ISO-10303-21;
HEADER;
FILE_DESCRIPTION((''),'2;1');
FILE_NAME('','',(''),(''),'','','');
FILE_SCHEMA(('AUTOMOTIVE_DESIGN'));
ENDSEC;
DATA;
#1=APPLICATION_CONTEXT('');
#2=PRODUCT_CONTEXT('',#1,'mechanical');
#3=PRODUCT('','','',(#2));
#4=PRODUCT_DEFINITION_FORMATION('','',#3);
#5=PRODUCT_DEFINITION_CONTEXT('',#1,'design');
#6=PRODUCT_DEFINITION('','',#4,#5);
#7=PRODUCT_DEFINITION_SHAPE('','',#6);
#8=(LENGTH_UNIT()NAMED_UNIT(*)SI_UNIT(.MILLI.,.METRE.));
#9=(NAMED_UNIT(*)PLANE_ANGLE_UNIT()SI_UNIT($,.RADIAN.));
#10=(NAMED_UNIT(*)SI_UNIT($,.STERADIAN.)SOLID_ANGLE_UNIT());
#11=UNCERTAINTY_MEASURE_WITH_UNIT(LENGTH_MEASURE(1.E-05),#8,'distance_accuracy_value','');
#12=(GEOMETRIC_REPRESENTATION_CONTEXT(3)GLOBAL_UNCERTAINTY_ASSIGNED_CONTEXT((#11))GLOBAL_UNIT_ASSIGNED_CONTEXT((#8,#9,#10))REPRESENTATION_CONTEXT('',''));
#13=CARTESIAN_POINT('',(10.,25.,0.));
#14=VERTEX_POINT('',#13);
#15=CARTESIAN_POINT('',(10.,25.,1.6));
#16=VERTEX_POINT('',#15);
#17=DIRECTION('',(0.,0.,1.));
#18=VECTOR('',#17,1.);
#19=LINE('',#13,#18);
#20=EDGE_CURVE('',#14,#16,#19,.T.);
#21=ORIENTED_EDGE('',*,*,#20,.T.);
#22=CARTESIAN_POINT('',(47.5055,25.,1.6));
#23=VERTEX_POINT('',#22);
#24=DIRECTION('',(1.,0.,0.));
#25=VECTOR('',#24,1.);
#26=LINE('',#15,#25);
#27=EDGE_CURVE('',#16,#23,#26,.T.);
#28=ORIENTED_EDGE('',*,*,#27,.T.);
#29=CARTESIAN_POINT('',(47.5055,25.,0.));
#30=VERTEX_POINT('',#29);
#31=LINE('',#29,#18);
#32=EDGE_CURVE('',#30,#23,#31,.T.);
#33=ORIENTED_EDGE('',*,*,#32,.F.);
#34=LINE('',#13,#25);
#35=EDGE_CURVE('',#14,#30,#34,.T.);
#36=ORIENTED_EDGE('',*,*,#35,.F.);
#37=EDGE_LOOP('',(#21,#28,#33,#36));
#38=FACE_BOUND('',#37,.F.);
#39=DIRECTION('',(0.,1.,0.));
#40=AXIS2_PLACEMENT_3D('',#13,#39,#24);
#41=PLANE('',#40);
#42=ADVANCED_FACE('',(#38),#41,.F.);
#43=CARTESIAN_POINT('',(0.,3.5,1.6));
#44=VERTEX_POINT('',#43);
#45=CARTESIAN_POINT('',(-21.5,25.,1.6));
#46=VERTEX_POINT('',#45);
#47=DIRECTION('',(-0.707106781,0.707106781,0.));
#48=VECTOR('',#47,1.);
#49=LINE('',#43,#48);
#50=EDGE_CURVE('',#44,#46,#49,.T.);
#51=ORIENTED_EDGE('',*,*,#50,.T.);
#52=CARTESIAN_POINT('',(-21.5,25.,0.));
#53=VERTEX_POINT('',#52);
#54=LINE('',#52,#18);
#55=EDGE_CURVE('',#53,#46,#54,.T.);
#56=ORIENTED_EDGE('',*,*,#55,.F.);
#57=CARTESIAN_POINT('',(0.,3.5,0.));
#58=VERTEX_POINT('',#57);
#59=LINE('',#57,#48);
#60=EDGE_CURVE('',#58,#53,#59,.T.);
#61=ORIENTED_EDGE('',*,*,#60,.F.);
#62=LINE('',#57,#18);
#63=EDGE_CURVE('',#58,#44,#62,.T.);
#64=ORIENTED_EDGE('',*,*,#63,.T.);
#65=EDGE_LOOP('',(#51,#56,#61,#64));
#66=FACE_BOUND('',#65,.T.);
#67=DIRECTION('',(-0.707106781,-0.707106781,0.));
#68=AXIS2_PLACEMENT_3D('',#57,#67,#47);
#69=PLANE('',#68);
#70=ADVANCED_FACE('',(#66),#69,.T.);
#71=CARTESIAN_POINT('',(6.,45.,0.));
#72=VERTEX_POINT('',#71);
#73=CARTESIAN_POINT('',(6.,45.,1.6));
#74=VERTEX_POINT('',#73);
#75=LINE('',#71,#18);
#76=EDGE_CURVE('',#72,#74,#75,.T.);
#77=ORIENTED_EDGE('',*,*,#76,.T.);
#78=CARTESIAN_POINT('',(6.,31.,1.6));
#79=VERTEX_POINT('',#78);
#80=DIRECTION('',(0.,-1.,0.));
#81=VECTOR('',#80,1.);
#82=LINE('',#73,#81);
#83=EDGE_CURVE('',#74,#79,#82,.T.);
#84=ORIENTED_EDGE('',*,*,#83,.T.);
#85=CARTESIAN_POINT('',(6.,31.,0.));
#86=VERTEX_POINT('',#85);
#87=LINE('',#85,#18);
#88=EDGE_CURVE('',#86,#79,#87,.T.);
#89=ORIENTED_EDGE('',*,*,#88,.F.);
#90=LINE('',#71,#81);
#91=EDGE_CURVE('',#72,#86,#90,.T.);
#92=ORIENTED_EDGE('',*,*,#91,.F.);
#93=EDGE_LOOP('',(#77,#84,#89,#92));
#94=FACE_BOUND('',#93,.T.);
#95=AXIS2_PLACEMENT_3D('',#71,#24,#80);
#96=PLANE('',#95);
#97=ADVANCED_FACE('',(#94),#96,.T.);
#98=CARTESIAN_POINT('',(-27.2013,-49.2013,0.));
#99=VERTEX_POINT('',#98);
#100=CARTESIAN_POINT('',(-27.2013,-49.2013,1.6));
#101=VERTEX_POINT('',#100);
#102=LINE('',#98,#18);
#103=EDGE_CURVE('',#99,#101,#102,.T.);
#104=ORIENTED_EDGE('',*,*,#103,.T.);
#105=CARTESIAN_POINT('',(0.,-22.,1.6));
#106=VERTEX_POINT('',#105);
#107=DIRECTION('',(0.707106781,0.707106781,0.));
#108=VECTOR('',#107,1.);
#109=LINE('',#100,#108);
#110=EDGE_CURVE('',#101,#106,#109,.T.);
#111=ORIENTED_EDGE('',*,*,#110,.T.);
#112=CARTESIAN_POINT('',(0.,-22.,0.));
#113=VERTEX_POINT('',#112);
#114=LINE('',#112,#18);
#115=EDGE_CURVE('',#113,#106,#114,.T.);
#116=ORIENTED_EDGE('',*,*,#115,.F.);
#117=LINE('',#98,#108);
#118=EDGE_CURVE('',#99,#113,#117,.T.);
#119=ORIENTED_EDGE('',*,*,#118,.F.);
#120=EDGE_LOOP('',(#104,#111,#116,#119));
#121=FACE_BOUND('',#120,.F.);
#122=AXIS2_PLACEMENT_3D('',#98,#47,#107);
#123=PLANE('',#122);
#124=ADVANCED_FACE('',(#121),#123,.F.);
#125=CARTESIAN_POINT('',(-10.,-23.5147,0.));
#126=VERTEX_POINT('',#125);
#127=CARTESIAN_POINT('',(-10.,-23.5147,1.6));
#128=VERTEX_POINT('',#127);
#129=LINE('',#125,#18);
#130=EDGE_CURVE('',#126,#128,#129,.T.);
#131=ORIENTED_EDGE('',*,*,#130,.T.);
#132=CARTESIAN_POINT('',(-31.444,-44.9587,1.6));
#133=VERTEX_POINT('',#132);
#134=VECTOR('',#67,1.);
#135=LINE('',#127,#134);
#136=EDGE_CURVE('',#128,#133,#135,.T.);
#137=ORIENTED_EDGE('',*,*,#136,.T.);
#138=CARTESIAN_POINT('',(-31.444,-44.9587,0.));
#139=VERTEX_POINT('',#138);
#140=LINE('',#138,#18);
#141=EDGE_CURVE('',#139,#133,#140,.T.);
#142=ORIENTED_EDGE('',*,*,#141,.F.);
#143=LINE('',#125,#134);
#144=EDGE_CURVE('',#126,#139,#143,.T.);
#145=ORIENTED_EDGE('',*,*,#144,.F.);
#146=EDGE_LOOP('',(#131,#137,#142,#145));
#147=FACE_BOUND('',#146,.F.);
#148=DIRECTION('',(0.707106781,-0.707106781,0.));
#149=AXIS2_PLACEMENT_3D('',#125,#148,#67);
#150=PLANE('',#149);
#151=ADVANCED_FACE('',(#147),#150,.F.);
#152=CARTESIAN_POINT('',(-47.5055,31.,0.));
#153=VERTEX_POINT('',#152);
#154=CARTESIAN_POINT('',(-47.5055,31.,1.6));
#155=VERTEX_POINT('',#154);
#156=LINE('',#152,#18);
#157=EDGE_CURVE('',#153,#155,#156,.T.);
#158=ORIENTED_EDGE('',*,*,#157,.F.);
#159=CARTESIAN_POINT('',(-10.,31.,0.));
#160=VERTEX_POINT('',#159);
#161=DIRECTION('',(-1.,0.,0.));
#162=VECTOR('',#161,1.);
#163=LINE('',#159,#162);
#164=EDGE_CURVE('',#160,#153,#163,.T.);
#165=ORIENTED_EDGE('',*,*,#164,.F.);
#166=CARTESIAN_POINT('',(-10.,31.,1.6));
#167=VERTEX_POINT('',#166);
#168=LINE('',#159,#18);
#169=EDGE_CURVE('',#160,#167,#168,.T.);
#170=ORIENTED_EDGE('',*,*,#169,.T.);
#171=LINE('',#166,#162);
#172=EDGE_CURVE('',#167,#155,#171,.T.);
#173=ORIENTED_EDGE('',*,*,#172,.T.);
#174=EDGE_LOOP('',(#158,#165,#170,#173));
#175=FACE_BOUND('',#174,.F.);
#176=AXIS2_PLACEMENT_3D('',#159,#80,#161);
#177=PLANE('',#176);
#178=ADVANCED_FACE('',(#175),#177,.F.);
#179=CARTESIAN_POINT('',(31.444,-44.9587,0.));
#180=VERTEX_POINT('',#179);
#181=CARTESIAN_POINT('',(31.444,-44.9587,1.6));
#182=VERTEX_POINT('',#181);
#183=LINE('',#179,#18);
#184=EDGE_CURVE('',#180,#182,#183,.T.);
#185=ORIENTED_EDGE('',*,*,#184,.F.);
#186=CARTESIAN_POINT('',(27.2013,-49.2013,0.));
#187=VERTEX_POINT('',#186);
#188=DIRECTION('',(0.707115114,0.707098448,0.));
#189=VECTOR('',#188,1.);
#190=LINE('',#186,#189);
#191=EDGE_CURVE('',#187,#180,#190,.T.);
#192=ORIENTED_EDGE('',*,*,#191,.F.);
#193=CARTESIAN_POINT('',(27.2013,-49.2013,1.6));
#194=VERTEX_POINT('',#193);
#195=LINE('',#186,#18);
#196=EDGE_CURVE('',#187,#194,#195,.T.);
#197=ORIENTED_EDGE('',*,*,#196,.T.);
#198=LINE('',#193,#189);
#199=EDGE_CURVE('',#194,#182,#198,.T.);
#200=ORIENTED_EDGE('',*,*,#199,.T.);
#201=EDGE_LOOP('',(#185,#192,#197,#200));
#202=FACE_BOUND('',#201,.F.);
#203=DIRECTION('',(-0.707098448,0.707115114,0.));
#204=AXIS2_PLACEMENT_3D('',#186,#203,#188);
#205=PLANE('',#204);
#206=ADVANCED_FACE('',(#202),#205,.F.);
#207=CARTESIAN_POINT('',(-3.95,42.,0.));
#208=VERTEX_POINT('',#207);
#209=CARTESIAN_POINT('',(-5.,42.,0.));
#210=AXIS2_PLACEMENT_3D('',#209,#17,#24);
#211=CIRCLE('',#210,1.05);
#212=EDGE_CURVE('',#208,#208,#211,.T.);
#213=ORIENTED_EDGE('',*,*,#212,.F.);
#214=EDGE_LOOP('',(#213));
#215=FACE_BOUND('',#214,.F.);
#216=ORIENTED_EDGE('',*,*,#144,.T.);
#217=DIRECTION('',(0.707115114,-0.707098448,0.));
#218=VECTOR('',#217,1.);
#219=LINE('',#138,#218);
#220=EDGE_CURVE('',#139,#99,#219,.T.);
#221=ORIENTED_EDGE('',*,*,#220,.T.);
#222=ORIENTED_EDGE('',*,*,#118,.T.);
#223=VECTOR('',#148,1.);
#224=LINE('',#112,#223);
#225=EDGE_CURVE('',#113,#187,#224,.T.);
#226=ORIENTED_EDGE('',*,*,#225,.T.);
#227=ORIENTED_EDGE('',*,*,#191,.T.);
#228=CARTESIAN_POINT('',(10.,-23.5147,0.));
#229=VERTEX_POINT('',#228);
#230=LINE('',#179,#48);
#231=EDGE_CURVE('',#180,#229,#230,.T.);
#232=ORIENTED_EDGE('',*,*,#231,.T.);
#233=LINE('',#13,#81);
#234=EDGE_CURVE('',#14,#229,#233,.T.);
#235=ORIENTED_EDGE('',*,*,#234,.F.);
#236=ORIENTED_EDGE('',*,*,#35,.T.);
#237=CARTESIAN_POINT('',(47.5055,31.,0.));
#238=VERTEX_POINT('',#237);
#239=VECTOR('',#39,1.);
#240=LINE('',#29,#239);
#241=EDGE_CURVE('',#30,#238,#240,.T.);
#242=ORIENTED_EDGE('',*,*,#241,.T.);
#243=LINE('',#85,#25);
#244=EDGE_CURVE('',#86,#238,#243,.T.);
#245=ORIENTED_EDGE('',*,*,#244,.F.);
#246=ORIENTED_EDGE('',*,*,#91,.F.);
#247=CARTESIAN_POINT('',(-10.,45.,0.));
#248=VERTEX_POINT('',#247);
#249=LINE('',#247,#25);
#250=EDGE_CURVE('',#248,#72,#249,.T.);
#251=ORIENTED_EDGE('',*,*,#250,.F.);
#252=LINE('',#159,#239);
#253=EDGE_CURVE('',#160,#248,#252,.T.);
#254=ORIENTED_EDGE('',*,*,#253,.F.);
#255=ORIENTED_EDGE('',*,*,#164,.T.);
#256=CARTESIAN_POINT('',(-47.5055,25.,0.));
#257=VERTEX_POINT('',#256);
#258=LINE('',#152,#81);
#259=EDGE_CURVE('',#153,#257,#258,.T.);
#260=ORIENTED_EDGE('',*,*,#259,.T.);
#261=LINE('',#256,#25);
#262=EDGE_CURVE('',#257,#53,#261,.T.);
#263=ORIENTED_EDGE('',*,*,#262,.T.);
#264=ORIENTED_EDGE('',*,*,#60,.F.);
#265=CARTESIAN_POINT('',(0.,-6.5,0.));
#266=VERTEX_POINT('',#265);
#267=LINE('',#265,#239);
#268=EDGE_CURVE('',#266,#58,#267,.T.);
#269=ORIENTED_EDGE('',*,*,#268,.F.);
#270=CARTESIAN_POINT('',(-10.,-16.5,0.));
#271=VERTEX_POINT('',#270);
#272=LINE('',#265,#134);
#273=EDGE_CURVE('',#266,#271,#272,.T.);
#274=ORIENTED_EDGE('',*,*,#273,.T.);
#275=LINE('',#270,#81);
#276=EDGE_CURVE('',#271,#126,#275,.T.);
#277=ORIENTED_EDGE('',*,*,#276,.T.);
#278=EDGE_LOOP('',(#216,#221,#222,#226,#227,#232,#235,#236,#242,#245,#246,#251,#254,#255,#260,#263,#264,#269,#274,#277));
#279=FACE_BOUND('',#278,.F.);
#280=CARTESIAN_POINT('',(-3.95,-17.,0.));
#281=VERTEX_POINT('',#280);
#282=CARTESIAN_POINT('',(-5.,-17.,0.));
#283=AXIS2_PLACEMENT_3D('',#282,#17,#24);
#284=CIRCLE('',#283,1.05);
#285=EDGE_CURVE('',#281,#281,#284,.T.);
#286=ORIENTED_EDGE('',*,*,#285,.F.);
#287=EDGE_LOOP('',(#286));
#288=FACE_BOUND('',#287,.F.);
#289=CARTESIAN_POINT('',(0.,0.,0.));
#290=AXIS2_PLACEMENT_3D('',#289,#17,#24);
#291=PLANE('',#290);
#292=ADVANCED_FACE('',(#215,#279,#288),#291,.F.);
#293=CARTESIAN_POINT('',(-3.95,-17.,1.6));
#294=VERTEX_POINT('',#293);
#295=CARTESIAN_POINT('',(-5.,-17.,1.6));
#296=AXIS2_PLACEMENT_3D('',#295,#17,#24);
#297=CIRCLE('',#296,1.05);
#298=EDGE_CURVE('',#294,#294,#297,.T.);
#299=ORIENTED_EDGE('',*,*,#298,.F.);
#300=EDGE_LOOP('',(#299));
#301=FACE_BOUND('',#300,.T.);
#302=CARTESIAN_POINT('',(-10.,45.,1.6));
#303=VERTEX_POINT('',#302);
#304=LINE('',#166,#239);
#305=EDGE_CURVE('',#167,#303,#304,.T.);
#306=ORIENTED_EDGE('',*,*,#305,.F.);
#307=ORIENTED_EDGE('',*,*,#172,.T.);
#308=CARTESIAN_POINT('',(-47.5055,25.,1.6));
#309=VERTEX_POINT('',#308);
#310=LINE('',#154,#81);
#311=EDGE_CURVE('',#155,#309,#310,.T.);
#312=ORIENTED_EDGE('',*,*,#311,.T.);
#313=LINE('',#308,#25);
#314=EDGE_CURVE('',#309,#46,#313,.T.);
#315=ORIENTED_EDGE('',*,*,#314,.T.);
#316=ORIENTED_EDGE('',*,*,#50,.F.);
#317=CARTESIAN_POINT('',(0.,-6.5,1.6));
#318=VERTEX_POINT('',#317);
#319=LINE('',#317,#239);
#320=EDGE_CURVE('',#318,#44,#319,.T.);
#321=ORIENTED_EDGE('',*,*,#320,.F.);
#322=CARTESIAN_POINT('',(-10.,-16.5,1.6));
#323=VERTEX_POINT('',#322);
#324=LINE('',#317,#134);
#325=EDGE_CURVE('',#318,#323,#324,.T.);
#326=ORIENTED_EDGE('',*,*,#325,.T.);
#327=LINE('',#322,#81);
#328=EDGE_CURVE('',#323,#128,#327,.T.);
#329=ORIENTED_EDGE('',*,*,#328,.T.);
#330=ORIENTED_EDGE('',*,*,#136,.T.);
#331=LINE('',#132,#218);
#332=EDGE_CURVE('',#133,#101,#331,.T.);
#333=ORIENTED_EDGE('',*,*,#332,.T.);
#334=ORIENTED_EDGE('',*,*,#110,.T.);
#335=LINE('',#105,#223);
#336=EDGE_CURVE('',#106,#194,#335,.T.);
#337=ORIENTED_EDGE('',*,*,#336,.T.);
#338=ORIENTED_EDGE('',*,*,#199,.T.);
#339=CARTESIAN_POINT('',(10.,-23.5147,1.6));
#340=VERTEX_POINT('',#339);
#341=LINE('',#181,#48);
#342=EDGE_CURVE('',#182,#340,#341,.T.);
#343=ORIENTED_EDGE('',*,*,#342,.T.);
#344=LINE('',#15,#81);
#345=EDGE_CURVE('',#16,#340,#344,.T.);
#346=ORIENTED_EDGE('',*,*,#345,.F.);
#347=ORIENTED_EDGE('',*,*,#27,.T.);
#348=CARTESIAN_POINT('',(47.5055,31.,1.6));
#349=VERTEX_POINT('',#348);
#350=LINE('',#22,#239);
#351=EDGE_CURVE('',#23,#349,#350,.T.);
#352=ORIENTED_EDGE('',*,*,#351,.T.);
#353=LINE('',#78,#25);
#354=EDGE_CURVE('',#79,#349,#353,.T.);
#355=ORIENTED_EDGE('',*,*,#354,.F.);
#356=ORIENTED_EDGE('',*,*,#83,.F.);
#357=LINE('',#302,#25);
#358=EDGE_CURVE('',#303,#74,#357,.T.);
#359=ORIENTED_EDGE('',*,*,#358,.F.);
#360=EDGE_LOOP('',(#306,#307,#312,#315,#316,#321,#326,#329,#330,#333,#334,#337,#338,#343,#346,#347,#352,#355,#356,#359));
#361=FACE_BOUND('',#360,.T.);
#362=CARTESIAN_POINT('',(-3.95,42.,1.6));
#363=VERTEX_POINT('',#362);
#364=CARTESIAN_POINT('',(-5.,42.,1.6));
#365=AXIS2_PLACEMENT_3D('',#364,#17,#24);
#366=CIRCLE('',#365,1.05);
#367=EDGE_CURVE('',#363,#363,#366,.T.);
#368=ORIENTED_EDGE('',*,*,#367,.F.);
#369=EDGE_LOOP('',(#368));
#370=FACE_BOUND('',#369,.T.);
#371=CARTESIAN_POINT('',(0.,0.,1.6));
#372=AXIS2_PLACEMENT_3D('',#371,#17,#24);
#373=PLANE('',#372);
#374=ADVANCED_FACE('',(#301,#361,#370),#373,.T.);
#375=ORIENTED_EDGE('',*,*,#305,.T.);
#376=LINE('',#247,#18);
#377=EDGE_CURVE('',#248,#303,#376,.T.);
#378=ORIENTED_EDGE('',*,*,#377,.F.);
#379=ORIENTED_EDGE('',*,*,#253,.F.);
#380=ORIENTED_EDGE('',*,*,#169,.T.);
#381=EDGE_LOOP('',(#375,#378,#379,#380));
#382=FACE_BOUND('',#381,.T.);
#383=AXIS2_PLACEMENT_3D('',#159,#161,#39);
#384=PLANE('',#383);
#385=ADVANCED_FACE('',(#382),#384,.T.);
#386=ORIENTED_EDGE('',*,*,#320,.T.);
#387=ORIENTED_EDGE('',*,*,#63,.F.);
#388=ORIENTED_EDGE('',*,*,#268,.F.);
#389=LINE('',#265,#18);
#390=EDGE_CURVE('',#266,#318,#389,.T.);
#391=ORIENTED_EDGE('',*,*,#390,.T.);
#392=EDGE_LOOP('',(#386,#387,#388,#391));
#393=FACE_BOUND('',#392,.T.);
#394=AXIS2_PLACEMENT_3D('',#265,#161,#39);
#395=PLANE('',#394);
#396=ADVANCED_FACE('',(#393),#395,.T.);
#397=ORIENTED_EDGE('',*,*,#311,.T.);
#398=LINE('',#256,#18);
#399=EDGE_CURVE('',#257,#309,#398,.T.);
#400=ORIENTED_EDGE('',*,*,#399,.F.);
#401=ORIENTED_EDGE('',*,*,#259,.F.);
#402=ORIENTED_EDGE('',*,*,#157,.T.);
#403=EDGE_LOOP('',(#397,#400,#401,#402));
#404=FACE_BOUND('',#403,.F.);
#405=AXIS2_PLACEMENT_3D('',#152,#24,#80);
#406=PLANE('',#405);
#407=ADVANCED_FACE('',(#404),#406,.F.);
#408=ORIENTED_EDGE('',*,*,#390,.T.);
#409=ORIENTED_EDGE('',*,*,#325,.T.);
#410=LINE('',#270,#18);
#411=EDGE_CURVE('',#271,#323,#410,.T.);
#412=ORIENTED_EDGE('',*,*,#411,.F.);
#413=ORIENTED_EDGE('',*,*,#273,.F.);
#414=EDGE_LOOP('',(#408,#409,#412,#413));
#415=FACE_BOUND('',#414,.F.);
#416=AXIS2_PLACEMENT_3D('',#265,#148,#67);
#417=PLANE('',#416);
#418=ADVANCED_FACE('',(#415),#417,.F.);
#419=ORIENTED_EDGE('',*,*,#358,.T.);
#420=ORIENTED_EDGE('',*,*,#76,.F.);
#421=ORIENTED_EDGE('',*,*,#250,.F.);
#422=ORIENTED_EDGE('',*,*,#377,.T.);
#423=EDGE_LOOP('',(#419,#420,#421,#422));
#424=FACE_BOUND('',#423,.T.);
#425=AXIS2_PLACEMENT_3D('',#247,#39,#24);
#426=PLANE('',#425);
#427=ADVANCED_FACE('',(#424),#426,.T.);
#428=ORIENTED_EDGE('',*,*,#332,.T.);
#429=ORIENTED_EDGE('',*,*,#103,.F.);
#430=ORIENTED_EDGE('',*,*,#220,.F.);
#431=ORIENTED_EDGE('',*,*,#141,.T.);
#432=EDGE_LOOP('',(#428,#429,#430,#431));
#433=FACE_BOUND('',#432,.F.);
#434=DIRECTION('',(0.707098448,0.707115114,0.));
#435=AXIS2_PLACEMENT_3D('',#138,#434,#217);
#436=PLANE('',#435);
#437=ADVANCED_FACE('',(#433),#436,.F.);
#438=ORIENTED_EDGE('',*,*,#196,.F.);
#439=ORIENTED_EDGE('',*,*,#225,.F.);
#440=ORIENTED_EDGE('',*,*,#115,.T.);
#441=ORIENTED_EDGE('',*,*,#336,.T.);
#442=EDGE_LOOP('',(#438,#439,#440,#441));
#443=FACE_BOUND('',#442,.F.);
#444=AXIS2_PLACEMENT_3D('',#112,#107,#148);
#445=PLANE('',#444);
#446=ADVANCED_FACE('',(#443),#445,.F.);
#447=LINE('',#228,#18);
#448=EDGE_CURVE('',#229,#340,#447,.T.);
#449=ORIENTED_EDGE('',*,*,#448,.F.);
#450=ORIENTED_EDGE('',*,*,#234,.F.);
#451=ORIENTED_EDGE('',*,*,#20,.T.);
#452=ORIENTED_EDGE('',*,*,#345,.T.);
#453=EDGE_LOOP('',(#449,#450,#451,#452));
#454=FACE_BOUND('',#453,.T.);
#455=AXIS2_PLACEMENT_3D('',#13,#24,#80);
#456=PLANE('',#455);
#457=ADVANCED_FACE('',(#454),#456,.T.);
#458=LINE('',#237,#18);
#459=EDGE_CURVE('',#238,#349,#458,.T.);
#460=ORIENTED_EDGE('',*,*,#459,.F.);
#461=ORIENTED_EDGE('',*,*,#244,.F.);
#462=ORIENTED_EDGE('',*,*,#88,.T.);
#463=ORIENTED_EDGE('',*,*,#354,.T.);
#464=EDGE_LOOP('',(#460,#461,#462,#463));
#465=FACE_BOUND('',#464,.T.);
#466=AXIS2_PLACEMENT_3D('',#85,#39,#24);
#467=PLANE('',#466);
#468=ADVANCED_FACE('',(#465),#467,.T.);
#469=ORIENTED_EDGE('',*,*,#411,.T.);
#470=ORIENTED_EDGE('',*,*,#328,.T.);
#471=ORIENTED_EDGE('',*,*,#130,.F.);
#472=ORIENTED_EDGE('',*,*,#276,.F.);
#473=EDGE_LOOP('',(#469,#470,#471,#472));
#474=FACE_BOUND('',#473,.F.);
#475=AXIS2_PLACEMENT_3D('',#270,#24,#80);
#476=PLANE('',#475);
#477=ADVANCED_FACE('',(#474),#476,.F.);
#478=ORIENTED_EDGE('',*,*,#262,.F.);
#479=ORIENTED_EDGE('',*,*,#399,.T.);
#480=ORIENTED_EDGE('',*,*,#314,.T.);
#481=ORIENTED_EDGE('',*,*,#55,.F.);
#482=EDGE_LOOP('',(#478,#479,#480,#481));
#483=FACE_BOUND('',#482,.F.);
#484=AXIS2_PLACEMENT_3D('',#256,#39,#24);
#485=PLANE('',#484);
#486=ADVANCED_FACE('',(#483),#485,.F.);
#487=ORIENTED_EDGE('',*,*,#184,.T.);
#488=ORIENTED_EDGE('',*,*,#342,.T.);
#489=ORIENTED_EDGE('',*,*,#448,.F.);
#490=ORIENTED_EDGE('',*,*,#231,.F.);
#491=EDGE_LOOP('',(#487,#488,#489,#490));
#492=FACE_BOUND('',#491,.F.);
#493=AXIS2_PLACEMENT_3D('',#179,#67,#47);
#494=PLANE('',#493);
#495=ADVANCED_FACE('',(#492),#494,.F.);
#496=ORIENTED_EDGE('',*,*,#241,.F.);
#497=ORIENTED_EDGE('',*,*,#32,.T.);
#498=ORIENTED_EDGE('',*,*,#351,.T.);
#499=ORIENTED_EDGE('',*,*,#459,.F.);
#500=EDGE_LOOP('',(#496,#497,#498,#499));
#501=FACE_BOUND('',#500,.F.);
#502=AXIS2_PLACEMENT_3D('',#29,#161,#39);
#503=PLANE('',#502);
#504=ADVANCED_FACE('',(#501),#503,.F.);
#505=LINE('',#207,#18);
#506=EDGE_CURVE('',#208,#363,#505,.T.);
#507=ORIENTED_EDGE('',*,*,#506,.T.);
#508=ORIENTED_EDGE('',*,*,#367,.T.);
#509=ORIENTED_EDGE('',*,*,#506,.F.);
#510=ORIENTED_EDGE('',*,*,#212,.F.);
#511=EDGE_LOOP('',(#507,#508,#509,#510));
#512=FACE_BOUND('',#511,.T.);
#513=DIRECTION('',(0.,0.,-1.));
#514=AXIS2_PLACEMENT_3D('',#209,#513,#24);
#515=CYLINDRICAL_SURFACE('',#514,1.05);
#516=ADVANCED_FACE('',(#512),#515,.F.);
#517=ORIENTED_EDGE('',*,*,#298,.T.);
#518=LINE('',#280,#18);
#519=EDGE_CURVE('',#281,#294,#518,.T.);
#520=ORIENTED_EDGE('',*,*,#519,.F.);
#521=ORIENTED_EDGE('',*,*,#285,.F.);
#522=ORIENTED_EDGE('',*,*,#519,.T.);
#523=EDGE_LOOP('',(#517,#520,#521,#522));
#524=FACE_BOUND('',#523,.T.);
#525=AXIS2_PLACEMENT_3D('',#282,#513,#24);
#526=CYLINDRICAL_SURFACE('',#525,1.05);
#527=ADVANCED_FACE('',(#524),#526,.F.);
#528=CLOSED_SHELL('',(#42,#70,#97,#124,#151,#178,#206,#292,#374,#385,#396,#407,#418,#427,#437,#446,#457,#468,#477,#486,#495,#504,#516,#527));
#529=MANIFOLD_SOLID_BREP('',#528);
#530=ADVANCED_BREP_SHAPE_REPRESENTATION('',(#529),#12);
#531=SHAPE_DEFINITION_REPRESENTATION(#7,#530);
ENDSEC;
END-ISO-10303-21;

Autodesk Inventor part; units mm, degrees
ref_plane "YZ Plane" through (0, 0, 0) normal (1, 0, 0) x (0, 1, 0)
ref_plane "XZ Plane" through (0, 0, 0) normal (0, 1, 0) x (-1, 0, 0)
ref_plane "XY Plane" through (0, 0, 0) normal (0, 0, 1) x (1, 0, 0)
sketch "Skizze1" plane through (0, 0, 0) normal (0, 0, 1) x (1, 0, 0)
  circle A0 centre (-57.772, 35) radius 20 construction
  circle A1 centre (57.772, 35) radius 20 construction
  circle A2 centre (35, -57.772) radius 20 construction
  circle A3 centre (-35, -57.772) radius 20 construction
  line L0 (0, 81.5544) -> (0, -104.3264) construction
  line L1 (-108.8808, 0) -> (108.8808, 0) construction
  circle A4 centre (0, 0) radius 25 construction
  line L2 (10, 25) -> (10, -23.5147)
  circle A5 centre (-6, -2.5) radius 6 construction
  line L3 (0, 3.5) -> (-21.5, 25)
  line L4 (0, -6.5) -> (-10, -16.5)
  line L5 (-10, -16.5) -> (-10, -23.5147)
  line L6 (-10, -23.5147) -> (-31.444, -44.9587)
  line L7 (-31.444, -44.9587) -> (-27.2013, -49.2013)
  line L8 (-27.2013, -49.2013) -> (0, -22)
  line L9 (0, -22) -> (27.2013, -49.2013)
  line L10 (27.2013, -49.2013) -> (31.444, -44.9587)
  line L11 (31.444, -44.9587) -> (10, -23.5147)
  line L12 (0, -6.5) -> (0, 3.5)
  line L13 (10, 25) -> (47.5055, 25)
  line L14 (47.5055, 25) -> (47.5055, 31)
  line L15 (-10, 31) -> (-47.5055, 31)
  line L16 (-47.5055, 31) -> (-47.5055, 25)
  line L17 (-47.5055, 25) -> (-21.5, 25)
  line L18 (-10, 31) -> (-10, 45)
  line L19 (-10, 45) -> (6, 45)
  line L20 (6, 45) -> (6, 31)
  line L21 (6, 31) -> (47.5055, 31)
  line L22 (-61.4468, -24.6516) -> (-51.4468, -24.6516) construction
  line L23 (-51.4468, -24.6516) -> (-56.4468, -27.5384) construction
  line L24 (-56.4468, -27.5384) -> (-61.4468, -24.6516) construction
  line L25 (-56.4468, -27.5384) -> (-56.4468, -24.6516) construction
  circle A6 centre (-27.2013, -44.9587) radius 3 construction
  circle A7 centre (-27.2013, -44.9587) radius 5 construction
  circle A8 centre (-44.5055, 28) radius 3 construction
  circle A9 centre (-44.5055, 28) radius 5 construction
  circle A10 centre (-5, -17) radius 1.05
  circle A11 centre (-5, 42) radius 1.05
  dimension "d0" = 35
  dimension "d1" = 57.772
  dimension "d2" = 40
  dimension "d3" = 57.772
  dimension "d4" = 35
  dimension "d5" = 40
  dimension "d6" = 50
  dimension "d7" = 10
  dimension "d9" = 6
  dimension "d10" = 2.5
  dimension "d11" = 12
  dimension "d12" = 6
  dimension "d13" = 6
  dimension "d14" = 4
  dimension "d15" = 10
  dimension "d16" = 6
  dimension "d20" = 31
  dimension "d21" = 10
  dimension "d22" = 120
  dimension "d23" = 2.8868
  dimension "d24" = 10
  dimension "d25" = 10
  dimension "d26" = 22
  dimension "d27" = 2.1
  dimension "d28" = 5
  dimension "d29" = 17
  dimension "d30" = 5
  dimension "d31" = 42
  dimension "d32" = 45
  dimension "d33" = 6
extrude "Extrusion1" add sketch "Skizze1" along normal blind 1.6
equation "\"d3\" = d1"
equation "\"d4\" = d0"
equation "\"d5\" = d2"
equation "\"d25\" = d24"
properties part number "Color Detect PCB" material "Phenolharz"
